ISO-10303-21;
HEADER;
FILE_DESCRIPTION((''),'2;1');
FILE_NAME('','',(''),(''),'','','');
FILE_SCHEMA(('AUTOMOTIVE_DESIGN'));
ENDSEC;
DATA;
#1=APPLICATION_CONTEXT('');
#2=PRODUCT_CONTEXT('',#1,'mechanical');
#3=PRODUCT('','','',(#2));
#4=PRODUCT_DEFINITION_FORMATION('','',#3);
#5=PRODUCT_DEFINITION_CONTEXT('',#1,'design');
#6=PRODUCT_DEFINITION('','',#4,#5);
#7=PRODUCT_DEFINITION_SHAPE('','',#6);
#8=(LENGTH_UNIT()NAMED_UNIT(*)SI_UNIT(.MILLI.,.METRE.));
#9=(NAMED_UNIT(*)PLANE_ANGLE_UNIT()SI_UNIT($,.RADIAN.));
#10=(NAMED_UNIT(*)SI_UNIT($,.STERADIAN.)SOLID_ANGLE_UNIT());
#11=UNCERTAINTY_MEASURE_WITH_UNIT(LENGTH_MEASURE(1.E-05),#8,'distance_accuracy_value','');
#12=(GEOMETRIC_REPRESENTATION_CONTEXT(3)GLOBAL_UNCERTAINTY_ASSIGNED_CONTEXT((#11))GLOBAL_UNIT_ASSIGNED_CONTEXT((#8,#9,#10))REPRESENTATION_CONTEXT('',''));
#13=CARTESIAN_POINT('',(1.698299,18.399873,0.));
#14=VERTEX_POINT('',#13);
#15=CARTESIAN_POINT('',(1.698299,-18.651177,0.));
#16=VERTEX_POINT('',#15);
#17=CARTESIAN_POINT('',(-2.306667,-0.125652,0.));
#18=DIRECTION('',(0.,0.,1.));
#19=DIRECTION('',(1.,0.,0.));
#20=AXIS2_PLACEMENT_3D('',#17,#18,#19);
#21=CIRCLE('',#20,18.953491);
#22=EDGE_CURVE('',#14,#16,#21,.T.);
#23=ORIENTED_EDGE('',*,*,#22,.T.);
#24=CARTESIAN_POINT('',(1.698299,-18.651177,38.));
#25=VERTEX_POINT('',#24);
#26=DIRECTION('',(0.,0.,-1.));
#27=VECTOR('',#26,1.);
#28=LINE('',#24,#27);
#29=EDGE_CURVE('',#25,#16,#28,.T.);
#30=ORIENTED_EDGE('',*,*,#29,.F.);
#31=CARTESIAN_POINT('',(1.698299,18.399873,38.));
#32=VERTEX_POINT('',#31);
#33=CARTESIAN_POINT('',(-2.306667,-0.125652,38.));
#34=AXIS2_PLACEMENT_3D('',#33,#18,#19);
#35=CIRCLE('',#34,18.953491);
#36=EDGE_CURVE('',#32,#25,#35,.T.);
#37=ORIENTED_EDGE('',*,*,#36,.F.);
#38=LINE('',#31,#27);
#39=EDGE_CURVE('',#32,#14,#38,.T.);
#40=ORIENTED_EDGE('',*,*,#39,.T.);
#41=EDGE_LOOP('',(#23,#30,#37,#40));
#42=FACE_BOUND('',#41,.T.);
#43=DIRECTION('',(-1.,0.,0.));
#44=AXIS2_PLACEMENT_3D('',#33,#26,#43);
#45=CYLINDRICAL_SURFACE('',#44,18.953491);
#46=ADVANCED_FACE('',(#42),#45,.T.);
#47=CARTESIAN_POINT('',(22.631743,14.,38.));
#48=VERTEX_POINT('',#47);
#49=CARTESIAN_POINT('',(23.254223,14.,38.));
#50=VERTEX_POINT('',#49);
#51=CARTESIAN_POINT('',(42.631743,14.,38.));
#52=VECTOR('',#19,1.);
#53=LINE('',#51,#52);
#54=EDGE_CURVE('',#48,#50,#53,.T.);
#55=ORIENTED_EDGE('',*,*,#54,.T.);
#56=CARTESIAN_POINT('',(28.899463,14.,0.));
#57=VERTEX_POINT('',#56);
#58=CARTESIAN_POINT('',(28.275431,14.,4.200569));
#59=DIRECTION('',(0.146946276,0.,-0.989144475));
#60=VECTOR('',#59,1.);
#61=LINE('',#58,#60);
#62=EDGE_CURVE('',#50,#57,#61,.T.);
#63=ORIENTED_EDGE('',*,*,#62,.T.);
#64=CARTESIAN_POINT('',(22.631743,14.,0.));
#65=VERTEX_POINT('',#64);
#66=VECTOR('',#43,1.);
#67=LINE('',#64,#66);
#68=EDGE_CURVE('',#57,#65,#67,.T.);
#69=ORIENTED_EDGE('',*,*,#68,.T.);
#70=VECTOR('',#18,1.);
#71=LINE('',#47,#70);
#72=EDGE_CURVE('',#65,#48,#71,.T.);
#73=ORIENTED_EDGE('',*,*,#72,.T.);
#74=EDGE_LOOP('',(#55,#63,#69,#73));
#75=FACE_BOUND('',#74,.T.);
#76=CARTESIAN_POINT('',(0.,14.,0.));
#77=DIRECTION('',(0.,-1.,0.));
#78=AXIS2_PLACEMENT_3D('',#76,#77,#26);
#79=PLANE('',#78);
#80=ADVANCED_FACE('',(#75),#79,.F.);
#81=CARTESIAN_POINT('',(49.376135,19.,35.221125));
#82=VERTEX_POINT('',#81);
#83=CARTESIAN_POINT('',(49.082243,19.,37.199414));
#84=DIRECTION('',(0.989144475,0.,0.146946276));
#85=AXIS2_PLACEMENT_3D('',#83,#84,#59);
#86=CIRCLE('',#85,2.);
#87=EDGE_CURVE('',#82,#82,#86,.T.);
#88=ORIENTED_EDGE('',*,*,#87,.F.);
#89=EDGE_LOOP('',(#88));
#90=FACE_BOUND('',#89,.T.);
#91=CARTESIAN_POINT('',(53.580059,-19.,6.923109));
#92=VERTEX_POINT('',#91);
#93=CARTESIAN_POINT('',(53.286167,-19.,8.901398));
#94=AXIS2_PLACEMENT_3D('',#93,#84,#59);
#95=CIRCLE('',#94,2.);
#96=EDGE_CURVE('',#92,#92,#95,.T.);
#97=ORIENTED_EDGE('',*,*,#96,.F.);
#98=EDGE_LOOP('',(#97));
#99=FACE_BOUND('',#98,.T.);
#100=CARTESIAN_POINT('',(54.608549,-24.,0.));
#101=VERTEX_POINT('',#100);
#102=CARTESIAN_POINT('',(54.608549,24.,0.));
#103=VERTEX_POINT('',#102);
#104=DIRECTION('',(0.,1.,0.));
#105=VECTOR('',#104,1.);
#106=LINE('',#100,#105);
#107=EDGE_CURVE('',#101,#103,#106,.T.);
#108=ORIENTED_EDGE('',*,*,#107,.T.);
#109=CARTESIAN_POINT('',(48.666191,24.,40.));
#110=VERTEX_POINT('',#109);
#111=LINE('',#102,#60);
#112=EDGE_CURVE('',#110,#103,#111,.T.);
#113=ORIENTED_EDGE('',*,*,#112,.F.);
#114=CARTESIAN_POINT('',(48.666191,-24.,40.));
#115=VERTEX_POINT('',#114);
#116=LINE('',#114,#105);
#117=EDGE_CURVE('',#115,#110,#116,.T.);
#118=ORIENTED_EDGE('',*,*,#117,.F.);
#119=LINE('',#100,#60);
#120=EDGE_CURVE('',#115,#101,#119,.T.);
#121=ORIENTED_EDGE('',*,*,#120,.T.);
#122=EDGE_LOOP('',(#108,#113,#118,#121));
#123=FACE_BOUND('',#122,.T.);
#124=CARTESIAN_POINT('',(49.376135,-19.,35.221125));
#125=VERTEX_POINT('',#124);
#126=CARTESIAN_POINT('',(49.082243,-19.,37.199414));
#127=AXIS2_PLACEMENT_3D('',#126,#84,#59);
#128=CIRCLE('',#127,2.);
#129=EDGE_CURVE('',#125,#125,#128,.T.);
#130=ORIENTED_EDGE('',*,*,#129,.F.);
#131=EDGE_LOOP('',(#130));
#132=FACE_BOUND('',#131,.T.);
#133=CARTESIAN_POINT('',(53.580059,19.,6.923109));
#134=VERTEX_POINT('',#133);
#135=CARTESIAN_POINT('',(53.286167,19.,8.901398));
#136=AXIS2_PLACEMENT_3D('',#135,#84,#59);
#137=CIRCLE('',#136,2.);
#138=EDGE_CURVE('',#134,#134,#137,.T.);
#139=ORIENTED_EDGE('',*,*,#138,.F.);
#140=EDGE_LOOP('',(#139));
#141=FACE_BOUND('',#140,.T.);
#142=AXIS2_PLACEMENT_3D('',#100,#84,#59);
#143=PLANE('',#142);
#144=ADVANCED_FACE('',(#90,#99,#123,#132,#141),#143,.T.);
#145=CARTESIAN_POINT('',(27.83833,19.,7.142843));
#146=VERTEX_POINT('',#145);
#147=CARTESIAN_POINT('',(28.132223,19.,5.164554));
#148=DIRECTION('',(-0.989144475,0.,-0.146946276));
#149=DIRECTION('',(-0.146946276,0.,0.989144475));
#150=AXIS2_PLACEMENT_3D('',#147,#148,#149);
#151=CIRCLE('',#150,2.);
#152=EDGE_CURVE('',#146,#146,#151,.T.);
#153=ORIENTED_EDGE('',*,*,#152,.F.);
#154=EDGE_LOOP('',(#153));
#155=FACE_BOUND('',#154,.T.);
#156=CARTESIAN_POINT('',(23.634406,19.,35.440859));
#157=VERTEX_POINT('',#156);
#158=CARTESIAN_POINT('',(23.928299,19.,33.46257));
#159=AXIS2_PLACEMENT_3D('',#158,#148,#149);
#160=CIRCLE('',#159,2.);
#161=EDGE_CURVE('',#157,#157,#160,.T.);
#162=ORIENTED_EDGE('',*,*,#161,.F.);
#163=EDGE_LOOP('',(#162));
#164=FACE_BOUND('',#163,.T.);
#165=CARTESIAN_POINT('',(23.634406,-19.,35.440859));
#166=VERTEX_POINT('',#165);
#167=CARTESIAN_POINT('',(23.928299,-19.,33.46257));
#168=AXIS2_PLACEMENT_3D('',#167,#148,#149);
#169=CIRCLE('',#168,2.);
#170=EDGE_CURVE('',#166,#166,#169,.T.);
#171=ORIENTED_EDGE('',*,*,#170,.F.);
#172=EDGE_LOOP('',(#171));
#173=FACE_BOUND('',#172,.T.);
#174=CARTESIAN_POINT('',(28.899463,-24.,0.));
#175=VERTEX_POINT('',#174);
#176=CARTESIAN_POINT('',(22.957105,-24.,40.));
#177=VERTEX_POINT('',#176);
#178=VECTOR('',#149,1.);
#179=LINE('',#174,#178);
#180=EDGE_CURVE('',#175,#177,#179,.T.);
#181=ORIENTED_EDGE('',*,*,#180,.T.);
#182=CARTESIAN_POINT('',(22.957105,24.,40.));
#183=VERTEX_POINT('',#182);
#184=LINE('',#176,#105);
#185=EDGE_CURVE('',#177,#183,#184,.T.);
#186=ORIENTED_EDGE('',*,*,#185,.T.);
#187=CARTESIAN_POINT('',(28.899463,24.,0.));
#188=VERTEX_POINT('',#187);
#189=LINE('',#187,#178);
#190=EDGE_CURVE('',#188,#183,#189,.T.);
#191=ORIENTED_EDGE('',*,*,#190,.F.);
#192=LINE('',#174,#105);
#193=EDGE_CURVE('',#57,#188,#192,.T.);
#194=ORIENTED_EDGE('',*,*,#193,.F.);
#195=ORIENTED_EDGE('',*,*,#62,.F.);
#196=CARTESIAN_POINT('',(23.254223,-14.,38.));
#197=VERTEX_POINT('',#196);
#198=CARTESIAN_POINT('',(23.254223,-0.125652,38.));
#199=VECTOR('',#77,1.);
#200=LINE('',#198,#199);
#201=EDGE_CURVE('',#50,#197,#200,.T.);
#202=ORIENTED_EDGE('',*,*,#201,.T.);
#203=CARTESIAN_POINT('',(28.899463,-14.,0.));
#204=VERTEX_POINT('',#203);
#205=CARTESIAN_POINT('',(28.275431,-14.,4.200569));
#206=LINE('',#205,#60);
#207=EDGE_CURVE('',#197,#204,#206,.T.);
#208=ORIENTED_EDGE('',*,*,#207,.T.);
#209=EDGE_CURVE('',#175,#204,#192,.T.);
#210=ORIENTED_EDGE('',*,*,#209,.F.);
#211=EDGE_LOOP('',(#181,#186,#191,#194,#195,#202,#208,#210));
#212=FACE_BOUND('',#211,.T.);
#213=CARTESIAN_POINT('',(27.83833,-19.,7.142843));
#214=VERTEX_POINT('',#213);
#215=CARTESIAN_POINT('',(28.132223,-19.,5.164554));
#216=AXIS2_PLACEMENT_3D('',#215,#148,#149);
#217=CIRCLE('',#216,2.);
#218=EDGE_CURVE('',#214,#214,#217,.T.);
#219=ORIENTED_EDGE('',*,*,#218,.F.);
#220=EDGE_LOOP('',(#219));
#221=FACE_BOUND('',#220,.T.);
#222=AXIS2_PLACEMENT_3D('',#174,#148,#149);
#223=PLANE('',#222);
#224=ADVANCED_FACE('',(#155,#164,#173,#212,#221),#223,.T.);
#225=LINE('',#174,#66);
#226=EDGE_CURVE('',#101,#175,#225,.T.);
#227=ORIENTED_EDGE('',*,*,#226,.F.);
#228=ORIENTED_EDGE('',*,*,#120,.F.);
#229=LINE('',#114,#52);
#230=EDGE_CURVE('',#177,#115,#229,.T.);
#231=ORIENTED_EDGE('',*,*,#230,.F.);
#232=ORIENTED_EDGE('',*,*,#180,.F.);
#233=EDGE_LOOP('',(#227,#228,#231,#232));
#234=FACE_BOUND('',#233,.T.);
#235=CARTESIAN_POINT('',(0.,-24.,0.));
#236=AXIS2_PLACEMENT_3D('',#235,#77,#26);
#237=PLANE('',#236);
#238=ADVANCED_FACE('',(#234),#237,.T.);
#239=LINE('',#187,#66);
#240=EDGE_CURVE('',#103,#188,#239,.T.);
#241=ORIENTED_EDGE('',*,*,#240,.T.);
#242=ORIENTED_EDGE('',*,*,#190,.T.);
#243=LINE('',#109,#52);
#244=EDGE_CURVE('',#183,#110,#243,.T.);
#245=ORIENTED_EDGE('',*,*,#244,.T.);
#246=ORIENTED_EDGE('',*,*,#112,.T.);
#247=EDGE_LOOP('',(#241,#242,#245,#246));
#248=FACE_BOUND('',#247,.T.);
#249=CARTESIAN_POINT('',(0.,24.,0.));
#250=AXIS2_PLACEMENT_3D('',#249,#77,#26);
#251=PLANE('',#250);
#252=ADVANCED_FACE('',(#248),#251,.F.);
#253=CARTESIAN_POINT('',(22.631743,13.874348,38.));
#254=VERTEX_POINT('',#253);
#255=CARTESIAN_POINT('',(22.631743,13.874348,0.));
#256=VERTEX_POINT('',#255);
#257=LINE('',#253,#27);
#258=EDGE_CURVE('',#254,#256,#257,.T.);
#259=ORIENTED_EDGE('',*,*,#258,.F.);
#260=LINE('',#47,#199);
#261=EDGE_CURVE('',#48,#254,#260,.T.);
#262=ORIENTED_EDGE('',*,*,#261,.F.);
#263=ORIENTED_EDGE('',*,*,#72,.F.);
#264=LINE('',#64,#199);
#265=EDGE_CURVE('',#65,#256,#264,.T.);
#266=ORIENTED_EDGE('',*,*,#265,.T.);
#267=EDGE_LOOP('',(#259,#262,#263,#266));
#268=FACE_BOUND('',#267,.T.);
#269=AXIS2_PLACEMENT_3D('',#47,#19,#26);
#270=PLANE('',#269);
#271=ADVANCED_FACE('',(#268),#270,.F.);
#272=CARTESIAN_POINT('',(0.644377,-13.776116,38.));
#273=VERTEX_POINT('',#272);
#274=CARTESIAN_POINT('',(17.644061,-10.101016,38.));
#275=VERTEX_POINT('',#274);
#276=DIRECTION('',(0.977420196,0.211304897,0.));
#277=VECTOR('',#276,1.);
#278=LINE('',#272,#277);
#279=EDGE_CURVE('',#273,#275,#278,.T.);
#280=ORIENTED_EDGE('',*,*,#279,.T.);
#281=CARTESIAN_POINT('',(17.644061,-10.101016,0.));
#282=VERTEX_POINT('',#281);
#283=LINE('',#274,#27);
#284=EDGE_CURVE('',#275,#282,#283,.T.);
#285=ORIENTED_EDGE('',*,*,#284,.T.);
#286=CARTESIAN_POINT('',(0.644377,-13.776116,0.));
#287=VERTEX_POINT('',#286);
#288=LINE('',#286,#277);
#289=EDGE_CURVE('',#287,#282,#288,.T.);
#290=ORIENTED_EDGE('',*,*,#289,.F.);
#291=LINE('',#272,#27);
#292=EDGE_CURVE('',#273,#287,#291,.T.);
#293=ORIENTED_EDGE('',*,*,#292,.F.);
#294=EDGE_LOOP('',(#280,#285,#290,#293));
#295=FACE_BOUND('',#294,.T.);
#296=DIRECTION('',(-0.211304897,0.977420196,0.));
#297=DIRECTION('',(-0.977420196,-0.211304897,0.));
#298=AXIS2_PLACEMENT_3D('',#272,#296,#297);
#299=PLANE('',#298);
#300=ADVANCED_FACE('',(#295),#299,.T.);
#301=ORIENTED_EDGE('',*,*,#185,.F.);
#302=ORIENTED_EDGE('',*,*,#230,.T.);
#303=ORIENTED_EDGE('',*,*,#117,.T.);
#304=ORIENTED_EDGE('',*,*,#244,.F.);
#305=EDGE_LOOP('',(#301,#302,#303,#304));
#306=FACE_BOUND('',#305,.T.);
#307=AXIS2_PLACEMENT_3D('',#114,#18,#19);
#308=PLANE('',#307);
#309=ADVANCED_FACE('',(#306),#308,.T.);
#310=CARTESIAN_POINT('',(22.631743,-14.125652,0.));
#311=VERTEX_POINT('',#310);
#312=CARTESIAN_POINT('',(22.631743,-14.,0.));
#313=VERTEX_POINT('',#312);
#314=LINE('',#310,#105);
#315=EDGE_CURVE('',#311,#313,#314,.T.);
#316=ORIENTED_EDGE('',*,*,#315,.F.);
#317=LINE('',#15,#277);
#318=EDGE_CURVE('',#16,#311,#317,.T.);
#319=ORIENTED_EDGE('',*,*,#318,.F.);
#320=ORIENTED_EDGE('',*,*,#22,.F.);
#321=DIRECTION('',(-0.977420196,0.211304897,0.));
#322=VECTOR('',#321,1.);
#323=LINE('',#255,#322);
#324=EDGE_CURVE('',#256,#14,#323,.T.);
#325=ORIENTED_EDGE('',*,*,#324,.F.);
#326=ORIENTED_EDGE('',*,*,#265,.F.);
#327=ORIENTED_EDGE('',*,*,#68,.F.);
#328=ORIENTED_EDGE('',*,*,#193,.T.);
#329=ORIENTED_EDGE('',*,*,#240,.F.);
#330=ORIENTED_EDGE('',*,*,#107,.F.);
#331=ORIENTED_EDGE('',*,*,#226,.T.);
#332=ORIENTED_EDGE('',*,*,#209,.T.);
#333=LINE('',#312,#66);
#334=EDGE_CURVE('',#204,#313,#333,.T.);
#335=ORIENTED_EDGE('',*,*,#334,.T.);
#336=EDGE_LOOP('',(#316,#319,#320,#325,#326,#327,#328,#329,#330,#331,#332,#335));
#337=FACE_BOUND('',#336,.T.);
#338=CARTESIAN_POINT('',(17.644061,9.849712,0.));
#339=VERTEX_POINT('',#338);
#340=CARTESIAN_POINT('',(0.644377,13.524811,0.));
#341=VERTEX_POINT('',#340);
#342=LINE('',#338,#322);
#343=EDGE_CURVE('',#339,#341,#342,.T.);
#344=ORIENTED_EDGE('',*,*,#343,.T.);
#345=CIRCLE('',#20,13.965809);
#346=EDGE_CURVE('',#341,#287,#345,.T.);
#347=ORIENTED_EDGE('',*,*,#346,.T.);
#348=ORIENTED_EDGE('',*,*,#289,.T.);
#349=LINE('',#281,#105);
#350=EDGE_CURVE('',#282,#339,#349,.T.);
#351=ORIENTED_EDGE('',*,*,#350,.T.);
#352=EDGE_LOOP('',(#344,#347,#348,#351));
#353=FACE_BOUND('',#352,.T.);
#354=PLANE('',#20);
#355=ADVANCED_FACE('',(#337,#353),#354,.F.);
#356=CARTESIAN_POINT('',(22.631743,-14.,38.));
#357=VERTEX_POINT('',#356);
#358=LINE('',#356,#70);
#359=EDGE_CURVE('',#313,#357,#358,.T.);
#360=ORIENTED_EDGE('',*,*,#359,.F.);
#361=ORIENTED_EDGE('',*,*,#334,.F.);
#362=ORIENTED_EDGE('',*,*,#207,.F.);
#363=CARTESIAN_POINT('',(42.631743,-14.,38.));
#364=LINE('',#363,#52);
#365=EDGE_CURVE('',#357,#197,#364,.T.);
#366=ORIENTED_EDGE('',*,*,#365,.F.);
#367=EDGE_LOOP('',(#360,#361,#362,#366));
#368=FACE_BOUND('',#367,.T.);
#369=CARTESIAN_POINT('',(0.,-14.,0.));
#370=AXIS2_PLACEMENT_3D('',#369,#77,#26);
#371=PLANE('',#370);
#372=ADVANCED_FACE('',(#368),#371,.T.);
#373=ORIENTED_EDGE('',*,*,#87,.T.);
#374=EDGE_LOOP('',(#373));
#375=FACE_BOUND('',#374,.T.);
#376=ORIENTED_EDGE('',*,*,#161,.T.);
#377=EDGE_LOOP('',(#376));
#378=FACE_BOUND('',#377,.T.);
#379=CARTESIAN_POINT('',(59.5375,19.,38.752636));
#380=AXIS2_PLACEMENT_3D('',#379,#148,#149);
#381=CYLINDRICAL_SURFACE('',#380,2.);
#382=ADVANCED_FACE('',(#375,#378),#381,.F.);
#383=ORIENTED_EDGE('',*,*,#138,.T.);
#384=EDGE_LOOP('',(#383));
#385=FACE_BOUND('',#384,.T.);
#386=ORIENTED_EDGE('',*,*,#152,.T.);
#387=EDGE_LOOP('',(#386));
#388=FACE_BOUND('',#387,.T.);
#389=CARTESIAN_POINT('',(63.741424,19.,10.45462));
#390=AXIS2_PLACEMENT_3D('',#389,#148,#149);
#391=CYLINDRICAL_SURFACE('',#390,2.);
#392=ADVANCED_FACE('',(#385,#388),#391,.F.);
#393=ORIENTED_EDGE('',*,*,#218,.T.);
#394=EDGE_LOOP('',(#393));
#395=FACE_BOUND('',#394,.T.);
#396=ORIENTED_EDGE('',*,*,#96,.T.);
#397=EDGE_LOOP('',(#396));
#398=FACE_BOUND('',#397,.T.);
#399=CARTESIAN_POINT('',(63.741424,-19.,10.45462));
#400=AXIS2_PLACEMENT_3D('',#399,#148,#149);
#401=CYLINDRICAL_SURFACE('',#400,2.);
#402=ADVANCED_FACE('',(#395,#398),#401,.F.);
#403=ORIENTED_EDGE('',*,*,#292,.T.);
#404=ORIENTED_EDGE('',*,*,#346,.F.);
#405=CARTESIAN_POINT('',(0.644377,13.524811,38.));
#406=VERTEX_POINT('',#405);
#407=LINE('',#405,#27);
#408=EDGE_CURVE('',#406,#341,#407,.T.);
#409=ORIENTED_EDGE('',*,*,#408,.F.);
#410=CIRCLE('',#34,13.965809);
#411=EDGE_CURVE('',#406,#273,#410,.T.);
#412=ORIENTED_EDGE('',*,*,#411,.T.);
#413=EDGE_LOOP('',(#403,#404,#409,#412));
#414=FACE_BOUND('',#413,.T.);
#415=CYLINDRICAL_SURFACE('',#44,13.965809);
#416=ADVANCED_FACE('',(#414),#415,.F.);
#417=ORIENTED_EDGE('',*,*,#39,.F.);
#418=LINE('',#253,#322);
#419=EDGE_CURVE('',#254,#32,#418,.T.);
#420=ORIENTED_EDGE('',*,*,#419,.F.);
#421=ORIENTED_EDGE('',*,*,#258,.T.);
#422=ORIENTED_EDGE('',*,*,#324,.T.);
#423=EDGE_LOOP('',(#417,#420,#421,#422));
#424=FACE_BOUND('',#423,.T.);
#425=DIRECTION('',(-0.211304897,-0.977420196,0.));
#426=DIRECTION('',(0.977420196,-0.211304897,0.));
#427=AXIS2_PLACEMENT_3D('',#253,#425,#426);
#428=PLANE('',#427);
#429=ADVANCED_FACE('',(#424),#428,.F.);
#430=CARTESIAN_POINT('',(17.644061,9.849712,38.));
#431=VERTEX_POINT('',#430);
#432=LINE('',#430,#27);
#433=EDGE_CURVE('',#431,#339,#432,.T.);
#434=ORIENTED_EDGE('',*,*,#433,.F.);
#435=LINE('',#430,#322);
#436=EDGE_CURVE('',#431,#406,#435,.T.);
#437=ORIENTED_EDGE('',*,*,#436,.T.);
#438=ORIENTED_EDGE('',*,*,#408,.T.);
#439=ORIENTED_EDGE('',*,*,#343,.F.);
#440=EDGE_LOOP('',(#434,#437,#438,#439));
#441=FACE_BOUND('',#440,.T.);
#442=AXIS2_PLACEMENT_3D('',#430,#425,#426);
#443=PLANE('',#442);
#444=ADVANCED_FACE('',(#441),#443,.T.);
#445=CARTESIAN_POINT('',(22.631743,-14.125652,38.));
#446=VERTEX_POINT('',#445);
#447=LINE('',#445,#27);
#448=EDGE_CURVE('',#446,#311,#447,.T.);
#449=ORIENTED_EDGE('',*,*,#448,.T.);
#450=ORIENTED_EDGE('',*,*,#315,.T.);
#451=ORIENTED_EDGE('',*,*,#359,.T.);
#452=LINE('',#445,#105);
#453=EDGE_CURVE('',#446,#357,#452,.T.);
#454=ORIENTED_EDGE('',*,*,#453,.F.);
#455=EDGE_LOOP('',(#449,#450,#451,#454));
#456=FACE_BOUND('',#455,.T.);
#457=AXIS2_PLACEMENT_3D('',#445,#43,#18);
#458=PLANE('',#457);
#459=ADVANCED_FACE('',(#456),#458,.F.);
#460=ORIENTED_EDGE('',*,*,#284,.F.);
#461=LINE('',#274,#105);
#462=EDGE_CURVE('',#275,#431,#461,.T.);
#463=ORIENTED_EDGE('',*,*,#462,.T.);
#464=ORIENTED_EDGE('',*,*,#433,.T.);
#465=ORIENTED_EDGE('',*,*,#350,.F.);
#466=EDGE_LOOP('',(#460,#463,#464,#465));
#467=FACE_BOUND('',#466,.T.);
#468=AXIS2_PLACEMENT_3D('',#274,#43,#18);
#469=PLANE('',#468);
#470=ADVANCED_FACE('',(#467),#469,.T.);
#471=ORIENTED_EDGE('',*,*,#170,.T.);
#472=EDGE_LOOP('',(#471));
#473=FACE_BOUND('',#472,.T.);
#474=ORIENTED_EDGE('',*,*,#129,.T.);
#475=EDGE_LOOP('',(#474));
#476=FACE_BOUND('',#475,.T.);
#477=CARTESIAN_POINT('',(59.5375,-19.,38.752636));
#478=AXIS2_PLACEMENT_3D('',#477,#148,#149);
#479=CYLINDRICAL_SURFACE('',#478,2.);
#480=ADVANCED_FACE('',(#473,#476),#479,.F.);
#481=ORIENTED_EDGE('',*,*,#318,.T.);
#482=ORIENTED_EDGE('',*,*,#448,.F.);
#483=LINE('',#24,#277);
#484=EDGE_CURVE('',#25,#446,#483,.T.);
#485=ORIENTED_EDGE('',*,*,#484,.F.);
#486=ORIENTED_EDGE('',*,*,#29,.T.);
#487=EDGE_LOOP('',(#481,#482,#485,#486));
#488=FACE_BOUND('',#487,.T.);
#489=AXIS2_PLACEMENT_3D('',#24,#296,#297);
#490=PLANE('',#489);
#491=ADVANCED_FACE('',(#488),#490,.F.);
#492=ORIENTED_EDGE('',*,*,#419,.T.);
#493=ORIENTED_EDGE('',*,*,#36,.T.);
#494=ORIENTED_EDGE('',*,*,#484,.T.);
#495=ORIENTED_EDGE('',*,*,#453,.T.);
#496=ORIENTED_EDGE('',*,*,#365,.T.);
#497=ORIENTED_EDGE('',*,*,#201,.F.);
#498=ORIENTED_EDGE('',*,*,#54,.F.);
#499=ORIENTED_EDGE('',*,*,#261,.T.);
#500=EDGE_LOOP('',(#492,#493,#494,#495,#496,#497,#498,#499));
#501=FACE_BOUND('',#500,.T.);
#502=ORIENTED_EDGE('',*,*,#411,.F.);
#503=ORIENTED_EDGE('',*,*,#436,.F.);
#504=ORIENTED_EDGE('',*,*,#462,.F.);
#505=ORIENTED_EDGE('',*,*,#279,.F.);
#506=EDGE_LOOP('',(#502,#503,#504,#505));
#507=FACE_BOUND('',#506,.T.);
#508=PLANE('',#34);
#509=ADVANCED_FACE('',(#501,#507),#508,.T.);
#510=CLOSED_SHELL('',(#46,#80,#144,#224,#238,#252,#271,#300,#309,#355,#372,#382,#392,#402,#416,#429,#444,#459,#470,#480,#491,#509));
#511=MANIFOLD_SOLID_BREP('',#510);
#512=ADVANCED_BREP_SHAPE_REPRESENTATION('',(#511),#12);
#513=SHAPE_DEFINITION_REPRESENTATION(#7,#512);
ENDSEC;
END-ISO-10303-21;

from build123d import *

# Parameters (mm, degrees)
BOSS_EXTRUDE1_DEPTH      = 38
BOSS_EXTRUDE2_DEPTH      = 14
BOSS_EXTRUDE5_DEPTH      = 10
BOSS_EXTRUDE5_DEPTH_BACK = 38
SKETCH6_R                = 2
CUT_EXTRUDE2_DEPTH       = 36


with BuildPart() as part:
    # Sketch1 → Boss-Extrude1 (new body)
    with BuildSketch(Plane.XY):
        with BuildLine():
            Line((22.631743337, -14.12565234), (22.631743337, 13.87434766))
            Line((22.631743337, 13.87434766), (1.698298535, 18.39987252))
            ThreePointArc((1.698298535, 18.39987252), (-0.292783652, 18.720543399), (-2.306666921, 18.827838622))
            ThreePointArc((-2.306666921, 18.827838622), (-21.260157884, -0.12565234), (-2.306666921, -19.079143303))
            ThreePointArc((-2.306666921, -19.079143303), (-0.292783652, -18.971848079), (1.698298535, -18.651177201))
            Line((1.698298535, -18.651177201), (22.631743337, -14.12565234))
        make_face()
        with BuildLine():
            Line((17.644061285, -10.101016443), (17.644061285, 9.849711763))
            Line((17.644061285, 9.849711763), (0.644376893, 13.52481135))
            ThreePointArc((0.644376893, 13.52481135), (-0.822744568, 13.761096487), (-2.306666921, 13.840156571))
            ThreePointArc((-2.306666921, 13.840156571), (-16.272475832, -0.12565234), (-2.306666921, -14.091461251))
            ThreePointArc((-2.306666921, -14.091461251), (-0.822744568, -14.012401167), (0.644376893, -13.77611603))
            Line((0.644376893, -13.77611603), (17.644061285, -10.101016443))
        make_face(mode=Mode.SUBTRACT)
    extrude(amount=BOSS_EXTRUDE1_DEPTH)

    # Sketch2 → Boss-Extrude2 (add, symmetric)
    with BuildSketch(Plane(origin=(0, 0, 0), x_dir=(1, 0, 0), z_dir=(0, 1, 0))):
        Polygon((22.631743337, -38), (22.631743337, 0), (48.276983868, 0), (42.631743337, -38), align=None)
    extrude(amount=BOSS_EXTRUDE2_DEPTH, both=True)

    # Sketch4 → Boss-Extrude5 (add, two sides: drawn at the far end of the back side and taken through both)
    with BuildSketch(Plane(origin=(0, 14, 0), x_dir=(1, 0, 0), z_dir=(0, 1, 0)).offset(-BOSS_EXTRUDE5_DEPTH_BACK)):
        Polygon((28.899463429, 0), (22.957104975, -40), (48.666190602, -40), (54.608549056, 0), align=None)
    extrude(amount=BOSS_EXTRUDE5_DEPTH + BOSS_EXTRUDE5_DEPTH_BACK)

    # Sketch6 → Cut-Extrude2 (cut)
    with BuildSketch(Plane(origin=(28.275431305, 0, 4.200568706), x_dir=(-0.14694627579900546, 0, 0.9891444748007253), z_dir=(-0.9891444748007252, 0, -0.14694627579900543))):
        with Locations((0.974565013, 19)):
            Circle(SKETCH6_R)
        with Locations((29.583142195, 19)):
            Circle(SKETCH6_R)
        with Locations((0.974565013, -19)):
            Circle(SKETCH6_R)
        with Locations((29.583142195, -19)):
            Circle(SKETCH6_R)
    extrude(amount=-CUT_EXTRUDE2_DEPTH, mode=Mode.SUBTRACT)


solid = part.part
